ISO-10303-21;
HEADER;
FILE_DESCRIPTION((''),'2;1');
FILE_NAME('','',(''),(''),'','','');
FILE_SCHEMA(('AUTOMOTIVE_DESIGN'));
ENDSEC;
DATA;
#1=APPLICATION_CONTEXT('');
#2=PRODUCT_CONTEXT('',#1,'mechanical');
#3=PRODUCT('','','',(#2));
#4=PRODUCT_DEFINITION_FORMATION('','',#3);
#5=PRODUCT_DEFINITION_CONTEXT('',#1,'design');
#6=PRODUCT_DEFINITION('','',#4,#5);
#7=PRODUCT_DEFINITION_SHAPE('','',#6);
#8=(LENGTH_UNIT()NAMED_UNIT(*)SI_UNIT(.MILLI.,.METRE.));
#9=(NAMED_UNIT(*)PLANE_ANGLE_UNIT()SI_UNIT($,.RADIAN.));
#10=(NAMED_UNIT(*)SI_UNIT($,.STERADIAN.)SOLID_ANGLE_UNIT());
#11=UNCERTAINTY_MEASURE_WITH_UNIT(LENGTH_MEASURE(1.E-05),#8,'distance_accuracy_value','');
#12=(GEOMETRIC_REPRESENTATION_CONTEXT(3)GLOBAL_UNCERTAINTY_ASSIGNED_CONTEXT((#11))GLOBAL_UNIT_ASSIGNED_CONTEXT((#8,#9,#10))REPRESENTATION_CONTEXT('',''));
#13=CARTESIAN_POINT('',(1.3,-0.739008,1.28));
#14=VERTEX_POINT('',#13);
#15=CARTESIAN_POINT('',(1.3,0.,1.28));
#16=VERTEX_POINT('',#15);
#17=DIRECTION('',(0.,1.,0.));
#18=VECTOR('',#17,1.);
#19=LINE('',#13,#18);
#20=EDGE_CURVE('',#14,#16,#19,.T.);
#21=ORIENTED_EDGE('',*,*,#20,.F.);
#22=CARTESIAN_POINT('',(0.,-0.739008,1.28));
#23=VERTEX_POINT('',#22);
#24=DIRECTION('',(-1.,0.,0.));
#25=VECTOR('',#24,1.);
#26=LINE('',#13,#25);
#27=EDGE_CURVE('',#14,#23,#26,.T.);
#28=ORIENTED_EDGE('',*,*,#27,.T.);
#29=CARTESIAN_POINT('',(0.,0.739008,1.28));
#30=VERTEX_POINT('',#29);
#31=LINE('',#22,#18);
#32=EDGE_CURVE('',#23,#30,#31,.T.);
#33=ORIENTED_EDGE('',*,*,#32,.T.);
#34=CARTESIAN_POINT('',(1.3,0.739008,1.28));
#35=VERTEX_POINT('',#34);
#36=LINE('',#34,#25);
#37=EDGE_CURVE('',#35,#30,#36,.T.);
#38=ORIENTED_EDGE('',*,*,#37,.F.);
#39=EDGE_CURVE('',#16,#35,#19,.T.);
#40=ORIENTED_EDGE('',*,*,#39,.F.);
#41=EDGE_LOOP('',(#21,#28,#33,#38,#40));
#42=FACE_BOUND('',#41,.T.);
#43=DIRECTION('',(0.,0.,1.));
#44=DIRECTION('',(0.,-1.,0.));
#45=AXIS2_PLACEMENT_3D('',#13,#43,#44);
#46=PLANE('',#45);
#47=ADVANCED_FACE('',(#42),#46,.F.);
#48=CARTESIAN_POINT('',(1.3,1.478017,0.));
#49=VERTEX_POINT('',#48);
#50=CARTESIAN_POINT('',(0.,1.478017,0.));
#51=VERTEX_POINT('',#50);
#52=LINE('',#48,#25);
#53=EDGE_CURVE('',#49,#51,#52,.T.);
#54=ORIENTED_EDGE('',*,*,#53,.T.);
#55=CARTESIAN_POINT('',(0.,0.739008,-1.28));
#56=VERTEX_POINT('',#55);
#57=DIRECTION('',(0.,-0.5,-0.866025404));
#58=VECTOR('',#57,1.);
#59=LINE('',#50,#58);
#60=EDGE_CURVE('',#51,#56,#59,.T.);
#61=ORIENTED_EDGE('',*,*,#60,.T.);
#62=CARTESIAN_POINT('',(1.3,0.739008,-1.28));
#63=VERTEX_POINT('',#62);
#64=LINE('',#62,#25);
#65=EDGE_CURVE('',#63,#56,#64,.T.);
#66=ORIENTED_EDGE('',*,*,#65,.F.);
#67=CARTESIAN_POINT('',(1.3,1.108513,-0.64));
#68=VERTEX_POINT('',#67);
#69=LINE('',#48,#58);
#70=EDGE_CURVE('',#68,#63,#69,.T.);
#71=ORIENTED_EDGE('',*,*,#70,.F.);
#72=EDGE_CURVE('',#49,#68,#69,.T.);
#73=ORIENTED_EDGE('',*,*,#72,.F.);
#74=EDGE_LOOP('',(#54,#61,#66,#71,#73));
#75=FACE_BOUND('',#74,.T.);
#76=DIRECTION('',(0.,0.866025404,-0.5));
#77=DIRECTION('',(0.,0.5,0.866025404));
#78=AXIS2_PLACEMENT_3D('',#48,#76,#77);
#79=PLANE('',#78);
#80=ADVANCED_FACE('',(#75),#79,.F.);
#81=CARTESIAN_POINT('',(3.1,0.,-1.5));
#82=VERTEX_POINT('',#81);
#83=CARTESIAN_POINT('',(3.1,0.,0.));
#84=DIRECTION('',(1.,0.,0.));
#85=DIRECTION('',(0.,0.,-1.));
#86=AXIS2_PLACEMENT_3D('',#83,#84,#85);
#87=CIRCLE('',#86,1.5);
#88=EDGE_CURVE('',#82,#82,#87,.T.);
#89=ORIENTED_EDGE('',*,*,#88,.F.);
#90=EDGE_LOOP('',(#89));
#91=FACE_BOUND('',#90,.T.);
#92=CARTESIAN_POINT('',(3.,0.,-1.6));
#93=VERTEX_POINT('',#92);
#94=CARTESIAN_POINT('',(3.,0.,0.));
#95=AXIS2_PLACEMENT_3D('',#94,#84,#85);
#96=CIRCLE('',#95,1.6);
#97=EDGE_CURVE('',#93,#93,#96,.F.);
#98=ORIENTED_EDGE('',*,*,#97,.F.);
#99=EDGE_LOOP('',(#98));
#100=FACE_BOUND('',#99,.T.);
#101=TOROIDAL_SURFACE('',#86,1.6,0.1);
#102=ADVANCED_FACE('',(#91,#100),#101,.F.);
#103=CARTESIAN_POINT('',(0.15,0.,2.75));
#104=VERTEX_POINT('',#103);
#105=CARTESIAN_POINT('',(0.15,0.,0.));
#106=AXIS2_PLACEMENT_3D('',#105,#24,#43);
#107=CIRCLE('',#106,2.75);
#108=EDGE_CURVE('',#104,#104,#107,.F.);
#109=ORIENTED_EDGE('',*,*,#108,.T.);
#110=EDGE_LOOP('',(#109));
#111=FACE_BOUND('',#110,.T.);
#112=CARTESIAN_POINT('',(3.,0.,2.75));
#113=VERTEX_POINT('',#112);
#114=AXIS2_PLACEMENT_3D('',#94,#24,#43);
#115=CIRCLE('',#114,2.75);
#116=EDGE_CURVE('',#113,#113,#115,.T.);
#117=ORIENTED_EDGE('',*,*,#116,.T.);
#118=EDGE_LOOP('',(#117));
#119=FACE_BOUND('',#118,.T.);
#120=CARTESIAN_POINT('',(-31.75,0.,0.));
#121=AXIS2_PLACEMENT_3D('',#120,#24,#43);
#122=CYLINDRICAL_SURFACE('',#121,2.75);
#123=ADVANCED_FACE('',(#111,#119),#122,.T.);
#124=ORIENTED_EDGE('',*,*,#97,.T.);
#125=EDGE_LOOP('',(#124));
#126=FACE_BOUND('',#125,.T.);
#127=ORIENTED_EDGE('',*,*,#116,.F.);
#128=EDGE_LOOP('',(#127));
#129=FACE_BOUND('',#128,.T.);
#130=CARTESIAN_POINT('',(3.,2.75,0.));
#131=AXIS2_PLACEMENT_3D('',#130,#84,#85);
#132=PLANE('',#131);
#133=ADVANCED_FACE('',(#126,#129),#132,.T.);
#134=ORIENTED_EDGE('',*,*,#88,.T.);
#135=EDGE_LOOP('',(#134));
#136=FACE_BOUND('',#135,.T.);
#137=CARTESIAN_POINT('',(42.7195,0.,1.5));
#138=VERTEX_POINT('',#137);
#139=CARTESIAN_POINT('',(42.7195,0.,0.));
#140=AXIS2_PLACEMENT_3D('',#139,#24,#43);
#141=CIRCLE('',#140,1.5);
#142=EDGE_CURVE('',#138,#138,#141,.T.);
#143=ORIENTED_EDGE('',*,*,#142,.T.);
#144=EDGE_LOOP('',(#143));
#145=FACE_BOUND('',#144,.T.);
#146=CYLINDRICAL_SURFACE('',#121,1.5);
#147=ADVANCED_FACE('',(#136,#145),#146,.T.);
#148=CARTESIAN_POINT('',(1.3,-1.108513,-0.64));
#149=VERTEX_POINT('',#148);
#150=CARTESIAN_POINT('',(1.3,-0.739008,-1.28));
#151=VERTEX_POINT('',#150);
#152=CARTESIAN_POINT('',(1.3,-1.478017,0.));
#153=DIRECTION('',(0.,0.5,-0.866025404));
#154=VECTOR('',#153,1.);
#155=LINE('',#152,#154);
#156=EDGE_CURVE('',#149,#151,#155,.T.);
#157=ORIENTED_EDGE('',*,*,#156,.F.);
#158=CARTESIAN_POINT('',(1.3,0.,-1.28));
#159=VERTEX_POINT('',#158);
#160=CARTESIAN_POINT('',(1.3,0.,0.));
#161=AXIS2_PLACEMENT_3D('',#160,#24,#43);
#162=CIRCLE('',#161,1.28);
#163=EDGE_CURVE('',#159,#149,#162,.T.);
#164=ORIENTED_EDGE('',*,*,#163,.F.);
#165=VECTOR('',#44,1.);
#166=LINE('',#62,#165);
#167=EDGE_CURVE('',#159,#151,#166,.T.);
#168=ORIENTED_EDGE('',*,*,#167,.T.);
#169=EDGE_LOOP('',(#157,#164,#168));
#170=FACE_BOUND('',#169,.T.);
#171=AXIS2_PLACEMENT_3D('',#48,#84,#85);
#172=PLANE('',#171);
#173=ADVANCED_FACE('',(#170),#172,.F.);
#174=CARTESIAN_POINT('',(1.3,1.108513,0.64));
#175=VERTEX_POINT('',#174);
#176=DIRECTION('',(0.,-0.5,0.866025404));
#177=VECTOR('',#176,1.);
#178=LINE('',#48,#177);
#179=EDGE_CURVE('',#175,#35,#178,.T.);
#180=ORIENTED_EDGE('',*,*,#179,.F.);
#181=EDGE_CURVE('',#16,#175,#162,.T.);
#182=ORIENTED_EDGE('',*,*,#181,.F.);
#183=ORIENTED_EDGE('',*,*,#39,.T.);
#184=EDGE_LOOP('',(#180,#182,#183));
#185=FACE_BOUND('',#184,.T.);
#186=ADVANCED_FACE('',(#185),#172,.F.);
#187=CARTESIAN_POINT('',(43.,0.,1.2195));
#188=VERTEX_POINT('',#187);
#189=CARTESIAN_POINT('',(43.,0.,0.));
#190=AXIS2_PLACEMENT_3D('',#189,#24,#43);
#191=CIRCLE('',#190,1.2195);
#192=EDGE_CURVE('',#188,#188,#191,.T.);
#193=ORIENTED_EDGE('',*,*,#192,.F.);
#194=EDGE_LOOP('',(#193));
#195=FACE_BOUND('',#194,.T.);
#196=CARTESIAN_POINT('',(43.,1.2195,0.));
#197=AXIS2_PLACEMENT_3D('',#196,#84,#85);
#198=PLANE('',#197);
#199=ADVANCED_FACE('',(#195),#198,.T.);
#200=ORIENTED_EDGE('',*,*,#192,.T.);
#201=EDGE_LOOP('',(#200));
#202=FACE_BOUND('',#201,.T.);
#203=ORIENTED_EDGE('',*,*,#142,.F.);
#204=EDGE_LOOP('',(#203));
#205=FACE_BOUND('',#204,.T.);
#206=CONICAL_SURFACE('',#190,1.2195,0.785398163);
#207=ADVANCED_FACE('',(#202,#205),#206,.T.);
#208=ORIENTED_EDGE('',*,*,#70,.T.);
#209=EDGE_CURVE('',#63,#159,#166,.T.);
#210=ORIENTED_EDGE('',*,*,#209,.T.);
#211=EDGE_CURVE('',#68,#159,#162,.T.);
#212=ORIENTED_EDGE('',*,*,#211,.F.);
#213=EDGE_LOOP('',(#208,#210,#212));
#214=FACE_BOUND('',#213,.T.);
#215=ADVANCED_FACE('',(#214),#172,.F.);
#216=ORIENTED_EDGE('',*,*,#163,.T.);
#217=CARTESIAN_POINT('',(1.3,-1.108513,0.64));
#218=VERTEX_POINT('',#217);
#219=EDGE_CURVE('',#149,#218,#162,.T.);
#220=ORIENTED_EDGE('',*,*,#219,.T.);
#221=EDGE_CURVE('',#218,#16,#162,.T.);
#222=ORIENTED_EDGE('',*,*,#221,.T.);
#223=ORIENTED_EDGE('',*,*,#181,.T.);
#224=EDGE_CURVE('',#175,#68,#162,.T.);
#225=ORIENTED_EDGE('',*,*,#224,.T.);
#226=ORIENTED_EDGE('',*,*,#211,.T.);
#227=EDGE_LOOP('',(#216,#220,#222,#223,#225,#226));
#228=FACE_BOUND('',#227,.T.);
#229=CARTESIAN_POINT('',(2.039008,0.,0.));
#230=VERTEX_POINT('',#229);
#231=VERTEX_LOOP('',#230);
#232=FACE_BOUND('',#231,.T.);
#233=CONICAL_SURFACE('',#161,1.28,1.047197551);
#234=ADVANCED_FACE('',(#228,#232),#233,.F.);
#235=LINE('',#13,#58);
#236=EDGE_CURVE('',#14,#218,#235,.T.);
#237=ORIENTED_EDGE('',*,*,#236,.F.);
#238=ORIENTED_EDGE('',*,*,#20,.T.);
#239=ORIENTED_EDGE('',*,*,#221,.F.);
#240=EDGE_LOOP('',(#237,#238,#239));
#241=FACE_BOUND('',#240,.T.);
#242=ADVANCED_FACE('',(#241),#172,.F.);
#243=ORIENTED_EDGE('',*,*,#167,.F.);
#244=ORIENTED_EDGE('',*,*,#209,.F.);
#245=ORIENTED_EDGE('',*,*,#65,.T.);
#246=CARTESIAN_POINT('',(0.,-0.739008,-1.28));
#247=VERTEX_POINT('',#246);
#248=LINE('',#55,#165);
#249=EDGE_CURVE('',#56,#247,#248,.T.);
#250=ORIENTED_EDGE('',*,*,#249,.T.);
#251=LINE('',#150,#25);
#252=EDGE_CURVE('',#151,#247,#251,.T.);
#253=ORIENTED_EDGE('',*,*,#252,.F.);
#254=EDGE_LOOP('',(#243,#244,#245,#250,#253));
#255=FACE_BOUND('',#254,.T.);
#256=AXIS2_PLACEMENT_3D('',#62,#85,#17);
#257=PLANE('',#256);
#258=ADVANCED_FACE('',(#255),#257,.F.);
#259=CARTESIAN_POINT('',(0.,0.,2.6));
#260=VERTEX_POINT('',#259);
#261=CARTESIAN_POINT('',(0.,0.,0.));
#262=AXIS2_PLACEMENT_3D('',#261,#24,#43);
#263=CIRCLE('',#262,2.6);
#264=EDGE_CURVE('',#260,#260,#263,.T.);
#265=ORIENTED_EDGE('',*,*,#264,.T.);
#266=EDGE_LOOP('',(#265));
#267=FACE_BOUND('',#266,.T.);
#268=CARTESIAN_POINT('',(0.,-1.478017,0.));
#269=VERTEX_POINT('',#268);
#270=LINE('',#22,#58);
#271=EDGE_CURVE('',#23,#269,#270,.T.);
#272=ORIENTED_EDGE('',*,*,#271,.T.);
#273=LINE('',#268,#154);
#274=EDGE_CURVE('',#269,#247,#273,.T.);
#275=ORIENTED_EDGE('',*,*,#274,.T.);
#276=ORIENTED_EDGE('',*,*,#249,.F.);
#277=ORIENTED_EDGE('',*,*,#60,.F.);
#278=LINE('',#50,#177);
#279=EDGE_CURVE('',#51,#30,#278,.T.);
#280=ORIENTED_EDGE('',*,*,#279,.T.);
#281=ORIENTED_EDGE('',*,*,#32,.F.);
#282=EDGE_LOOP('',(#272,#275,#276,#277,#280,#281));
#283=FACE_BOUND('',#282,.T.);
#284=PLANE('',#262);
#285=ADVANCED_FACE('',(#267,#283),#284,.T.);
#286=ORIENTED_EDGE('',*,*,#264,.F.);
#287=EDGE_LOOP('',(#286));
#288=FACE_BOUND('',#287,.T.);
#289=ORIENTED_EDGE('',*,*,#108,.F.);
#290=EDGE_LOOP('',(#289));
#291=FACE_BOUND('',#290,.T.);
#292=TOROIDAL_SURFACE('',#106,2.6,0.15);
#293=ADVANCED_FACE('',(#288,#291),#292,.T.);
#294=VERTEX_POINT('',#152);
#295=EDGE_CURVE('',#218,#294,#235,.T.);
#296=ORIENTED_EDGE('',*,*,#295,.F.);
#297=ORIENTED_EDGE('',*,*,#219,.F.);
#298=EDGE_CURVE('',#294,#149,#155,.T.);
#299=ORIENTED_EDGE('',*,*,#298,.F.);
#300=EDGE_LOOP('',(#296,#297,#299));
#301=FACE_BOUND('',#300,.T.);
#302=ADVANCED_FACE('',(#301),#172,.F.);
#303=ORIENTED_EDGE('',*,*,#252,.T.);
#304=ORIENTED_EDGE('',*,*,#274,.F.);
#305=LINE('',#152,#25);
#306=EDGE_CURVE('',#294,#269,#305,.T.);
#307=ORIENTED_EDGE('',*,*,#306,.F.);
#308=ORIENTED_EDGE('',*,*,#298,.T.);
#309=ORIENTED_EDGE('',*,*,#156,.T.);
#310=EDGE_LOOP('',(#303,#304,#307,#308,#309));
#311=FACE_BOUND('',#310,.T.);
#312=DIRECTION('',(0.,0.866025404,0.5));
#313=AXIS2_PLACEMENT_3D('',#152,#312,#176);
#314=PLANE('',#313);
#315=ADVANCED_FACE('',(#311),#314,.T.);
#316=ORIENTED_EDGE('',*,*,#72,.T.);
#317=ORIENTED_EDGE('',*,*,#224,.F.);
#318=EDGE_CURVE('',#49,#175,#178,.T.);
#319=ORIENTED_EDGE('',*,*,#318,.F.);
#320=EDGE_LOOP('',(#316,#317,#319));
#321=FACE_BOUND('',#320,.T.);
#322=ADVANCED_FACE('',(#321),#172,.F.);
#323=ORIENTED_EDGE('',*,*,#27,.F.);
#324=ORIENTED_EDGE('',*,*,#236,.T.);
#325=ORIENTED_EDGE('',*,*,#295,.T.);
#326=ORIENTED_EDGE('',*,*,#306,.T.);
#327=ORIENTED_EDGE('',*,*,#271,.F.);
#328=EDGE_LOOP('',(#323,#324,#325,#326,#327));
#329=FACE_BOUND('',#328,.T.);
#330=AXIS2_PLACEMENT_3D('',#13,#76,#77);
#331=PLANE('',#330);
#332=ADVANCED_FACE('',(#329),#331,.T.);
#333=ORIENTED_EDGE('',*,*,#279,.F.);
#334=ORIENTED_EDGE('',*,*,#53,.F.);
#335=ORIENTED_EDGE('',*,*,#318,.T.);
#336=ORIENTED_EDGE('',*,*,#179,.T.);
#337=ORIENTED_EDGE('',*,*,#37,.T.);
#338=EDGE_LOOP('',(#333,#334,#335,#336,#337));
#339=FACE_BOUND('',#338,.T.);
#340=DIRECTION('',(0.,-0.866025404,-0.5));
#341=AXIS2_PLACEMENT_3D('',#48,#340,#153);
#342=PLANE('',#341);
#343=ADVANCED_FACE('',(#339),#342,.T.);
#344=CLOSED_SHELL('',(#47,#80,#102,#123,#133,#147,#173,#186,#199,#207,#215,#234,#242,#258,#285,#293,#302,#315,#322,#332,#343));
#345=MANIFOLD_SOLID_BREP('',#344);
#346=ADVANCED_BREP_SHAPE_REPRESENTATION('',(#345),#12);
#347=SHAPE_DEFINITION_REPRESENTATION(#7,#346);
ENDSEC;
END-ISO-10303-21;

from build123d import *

# Parameters (mm, degrees)
FILLET1_R   = 0.1
FILLET2_R   = 0.15
HEX_2_DEPTH = 1.3


with BuildPart() as part:
    # BodySke → Base-Revolve (revolve)
    with BuildSketch(Plane.XY):
        Polygon((0, 0), (0, 2.75), (3, 2.75), (3, 1.5), (42.7195, 1.5), (43, 1.2195), (43, 0), align=None)
    revolve(axis=Axis((-31.75, 0, 0), (1, 0, 0)))

    # Fillet1
    fillet1_edges = [part.edges().sort_by_distance(p)[0] for p in [
        (3, -1.5, 0),
    ]]
    fillet(fillet1_edges, radius=FILLET1_R)

    # Fillet2
    fillet2_edges = [part.edges().sort_by_distance(p)[0] for p in [
        (0, -2.75, 0),
    ]]
    fillet(fillet2_edges, radius=FILLET2_R)

    # Sketch2 → Hex-PreBroach (revolve, cut)
    with BuildSketch(Plane.XY):
        Polygon((0, 1.28), (1.3, 1.28), (2.039008345, 0), (0, 0), align=None)
    revolve(axis=Axis((0, 0, 0), (1, 0, 0)), mode=Mode.SUBTRACT)

    # Sketch3 → Hex 2 (cut)
    with BuildSketch(Plane(origin=(0, 0, 0), x_dir=(0, 0.5, 0.866025404), z_dir=(-1, 0, 0))):
        Polygon((0.739008345, 1.28), (-0.739008345, 1.28), (-1.478016689, 0), (-0.739008345, -1.28), (0.739008345, -1.28), (1.478016689, 0), align=None)
    extrude(amount=-HEX_2_DEPTH, mode=Mode.SUBTRACT)


solid = part.part
